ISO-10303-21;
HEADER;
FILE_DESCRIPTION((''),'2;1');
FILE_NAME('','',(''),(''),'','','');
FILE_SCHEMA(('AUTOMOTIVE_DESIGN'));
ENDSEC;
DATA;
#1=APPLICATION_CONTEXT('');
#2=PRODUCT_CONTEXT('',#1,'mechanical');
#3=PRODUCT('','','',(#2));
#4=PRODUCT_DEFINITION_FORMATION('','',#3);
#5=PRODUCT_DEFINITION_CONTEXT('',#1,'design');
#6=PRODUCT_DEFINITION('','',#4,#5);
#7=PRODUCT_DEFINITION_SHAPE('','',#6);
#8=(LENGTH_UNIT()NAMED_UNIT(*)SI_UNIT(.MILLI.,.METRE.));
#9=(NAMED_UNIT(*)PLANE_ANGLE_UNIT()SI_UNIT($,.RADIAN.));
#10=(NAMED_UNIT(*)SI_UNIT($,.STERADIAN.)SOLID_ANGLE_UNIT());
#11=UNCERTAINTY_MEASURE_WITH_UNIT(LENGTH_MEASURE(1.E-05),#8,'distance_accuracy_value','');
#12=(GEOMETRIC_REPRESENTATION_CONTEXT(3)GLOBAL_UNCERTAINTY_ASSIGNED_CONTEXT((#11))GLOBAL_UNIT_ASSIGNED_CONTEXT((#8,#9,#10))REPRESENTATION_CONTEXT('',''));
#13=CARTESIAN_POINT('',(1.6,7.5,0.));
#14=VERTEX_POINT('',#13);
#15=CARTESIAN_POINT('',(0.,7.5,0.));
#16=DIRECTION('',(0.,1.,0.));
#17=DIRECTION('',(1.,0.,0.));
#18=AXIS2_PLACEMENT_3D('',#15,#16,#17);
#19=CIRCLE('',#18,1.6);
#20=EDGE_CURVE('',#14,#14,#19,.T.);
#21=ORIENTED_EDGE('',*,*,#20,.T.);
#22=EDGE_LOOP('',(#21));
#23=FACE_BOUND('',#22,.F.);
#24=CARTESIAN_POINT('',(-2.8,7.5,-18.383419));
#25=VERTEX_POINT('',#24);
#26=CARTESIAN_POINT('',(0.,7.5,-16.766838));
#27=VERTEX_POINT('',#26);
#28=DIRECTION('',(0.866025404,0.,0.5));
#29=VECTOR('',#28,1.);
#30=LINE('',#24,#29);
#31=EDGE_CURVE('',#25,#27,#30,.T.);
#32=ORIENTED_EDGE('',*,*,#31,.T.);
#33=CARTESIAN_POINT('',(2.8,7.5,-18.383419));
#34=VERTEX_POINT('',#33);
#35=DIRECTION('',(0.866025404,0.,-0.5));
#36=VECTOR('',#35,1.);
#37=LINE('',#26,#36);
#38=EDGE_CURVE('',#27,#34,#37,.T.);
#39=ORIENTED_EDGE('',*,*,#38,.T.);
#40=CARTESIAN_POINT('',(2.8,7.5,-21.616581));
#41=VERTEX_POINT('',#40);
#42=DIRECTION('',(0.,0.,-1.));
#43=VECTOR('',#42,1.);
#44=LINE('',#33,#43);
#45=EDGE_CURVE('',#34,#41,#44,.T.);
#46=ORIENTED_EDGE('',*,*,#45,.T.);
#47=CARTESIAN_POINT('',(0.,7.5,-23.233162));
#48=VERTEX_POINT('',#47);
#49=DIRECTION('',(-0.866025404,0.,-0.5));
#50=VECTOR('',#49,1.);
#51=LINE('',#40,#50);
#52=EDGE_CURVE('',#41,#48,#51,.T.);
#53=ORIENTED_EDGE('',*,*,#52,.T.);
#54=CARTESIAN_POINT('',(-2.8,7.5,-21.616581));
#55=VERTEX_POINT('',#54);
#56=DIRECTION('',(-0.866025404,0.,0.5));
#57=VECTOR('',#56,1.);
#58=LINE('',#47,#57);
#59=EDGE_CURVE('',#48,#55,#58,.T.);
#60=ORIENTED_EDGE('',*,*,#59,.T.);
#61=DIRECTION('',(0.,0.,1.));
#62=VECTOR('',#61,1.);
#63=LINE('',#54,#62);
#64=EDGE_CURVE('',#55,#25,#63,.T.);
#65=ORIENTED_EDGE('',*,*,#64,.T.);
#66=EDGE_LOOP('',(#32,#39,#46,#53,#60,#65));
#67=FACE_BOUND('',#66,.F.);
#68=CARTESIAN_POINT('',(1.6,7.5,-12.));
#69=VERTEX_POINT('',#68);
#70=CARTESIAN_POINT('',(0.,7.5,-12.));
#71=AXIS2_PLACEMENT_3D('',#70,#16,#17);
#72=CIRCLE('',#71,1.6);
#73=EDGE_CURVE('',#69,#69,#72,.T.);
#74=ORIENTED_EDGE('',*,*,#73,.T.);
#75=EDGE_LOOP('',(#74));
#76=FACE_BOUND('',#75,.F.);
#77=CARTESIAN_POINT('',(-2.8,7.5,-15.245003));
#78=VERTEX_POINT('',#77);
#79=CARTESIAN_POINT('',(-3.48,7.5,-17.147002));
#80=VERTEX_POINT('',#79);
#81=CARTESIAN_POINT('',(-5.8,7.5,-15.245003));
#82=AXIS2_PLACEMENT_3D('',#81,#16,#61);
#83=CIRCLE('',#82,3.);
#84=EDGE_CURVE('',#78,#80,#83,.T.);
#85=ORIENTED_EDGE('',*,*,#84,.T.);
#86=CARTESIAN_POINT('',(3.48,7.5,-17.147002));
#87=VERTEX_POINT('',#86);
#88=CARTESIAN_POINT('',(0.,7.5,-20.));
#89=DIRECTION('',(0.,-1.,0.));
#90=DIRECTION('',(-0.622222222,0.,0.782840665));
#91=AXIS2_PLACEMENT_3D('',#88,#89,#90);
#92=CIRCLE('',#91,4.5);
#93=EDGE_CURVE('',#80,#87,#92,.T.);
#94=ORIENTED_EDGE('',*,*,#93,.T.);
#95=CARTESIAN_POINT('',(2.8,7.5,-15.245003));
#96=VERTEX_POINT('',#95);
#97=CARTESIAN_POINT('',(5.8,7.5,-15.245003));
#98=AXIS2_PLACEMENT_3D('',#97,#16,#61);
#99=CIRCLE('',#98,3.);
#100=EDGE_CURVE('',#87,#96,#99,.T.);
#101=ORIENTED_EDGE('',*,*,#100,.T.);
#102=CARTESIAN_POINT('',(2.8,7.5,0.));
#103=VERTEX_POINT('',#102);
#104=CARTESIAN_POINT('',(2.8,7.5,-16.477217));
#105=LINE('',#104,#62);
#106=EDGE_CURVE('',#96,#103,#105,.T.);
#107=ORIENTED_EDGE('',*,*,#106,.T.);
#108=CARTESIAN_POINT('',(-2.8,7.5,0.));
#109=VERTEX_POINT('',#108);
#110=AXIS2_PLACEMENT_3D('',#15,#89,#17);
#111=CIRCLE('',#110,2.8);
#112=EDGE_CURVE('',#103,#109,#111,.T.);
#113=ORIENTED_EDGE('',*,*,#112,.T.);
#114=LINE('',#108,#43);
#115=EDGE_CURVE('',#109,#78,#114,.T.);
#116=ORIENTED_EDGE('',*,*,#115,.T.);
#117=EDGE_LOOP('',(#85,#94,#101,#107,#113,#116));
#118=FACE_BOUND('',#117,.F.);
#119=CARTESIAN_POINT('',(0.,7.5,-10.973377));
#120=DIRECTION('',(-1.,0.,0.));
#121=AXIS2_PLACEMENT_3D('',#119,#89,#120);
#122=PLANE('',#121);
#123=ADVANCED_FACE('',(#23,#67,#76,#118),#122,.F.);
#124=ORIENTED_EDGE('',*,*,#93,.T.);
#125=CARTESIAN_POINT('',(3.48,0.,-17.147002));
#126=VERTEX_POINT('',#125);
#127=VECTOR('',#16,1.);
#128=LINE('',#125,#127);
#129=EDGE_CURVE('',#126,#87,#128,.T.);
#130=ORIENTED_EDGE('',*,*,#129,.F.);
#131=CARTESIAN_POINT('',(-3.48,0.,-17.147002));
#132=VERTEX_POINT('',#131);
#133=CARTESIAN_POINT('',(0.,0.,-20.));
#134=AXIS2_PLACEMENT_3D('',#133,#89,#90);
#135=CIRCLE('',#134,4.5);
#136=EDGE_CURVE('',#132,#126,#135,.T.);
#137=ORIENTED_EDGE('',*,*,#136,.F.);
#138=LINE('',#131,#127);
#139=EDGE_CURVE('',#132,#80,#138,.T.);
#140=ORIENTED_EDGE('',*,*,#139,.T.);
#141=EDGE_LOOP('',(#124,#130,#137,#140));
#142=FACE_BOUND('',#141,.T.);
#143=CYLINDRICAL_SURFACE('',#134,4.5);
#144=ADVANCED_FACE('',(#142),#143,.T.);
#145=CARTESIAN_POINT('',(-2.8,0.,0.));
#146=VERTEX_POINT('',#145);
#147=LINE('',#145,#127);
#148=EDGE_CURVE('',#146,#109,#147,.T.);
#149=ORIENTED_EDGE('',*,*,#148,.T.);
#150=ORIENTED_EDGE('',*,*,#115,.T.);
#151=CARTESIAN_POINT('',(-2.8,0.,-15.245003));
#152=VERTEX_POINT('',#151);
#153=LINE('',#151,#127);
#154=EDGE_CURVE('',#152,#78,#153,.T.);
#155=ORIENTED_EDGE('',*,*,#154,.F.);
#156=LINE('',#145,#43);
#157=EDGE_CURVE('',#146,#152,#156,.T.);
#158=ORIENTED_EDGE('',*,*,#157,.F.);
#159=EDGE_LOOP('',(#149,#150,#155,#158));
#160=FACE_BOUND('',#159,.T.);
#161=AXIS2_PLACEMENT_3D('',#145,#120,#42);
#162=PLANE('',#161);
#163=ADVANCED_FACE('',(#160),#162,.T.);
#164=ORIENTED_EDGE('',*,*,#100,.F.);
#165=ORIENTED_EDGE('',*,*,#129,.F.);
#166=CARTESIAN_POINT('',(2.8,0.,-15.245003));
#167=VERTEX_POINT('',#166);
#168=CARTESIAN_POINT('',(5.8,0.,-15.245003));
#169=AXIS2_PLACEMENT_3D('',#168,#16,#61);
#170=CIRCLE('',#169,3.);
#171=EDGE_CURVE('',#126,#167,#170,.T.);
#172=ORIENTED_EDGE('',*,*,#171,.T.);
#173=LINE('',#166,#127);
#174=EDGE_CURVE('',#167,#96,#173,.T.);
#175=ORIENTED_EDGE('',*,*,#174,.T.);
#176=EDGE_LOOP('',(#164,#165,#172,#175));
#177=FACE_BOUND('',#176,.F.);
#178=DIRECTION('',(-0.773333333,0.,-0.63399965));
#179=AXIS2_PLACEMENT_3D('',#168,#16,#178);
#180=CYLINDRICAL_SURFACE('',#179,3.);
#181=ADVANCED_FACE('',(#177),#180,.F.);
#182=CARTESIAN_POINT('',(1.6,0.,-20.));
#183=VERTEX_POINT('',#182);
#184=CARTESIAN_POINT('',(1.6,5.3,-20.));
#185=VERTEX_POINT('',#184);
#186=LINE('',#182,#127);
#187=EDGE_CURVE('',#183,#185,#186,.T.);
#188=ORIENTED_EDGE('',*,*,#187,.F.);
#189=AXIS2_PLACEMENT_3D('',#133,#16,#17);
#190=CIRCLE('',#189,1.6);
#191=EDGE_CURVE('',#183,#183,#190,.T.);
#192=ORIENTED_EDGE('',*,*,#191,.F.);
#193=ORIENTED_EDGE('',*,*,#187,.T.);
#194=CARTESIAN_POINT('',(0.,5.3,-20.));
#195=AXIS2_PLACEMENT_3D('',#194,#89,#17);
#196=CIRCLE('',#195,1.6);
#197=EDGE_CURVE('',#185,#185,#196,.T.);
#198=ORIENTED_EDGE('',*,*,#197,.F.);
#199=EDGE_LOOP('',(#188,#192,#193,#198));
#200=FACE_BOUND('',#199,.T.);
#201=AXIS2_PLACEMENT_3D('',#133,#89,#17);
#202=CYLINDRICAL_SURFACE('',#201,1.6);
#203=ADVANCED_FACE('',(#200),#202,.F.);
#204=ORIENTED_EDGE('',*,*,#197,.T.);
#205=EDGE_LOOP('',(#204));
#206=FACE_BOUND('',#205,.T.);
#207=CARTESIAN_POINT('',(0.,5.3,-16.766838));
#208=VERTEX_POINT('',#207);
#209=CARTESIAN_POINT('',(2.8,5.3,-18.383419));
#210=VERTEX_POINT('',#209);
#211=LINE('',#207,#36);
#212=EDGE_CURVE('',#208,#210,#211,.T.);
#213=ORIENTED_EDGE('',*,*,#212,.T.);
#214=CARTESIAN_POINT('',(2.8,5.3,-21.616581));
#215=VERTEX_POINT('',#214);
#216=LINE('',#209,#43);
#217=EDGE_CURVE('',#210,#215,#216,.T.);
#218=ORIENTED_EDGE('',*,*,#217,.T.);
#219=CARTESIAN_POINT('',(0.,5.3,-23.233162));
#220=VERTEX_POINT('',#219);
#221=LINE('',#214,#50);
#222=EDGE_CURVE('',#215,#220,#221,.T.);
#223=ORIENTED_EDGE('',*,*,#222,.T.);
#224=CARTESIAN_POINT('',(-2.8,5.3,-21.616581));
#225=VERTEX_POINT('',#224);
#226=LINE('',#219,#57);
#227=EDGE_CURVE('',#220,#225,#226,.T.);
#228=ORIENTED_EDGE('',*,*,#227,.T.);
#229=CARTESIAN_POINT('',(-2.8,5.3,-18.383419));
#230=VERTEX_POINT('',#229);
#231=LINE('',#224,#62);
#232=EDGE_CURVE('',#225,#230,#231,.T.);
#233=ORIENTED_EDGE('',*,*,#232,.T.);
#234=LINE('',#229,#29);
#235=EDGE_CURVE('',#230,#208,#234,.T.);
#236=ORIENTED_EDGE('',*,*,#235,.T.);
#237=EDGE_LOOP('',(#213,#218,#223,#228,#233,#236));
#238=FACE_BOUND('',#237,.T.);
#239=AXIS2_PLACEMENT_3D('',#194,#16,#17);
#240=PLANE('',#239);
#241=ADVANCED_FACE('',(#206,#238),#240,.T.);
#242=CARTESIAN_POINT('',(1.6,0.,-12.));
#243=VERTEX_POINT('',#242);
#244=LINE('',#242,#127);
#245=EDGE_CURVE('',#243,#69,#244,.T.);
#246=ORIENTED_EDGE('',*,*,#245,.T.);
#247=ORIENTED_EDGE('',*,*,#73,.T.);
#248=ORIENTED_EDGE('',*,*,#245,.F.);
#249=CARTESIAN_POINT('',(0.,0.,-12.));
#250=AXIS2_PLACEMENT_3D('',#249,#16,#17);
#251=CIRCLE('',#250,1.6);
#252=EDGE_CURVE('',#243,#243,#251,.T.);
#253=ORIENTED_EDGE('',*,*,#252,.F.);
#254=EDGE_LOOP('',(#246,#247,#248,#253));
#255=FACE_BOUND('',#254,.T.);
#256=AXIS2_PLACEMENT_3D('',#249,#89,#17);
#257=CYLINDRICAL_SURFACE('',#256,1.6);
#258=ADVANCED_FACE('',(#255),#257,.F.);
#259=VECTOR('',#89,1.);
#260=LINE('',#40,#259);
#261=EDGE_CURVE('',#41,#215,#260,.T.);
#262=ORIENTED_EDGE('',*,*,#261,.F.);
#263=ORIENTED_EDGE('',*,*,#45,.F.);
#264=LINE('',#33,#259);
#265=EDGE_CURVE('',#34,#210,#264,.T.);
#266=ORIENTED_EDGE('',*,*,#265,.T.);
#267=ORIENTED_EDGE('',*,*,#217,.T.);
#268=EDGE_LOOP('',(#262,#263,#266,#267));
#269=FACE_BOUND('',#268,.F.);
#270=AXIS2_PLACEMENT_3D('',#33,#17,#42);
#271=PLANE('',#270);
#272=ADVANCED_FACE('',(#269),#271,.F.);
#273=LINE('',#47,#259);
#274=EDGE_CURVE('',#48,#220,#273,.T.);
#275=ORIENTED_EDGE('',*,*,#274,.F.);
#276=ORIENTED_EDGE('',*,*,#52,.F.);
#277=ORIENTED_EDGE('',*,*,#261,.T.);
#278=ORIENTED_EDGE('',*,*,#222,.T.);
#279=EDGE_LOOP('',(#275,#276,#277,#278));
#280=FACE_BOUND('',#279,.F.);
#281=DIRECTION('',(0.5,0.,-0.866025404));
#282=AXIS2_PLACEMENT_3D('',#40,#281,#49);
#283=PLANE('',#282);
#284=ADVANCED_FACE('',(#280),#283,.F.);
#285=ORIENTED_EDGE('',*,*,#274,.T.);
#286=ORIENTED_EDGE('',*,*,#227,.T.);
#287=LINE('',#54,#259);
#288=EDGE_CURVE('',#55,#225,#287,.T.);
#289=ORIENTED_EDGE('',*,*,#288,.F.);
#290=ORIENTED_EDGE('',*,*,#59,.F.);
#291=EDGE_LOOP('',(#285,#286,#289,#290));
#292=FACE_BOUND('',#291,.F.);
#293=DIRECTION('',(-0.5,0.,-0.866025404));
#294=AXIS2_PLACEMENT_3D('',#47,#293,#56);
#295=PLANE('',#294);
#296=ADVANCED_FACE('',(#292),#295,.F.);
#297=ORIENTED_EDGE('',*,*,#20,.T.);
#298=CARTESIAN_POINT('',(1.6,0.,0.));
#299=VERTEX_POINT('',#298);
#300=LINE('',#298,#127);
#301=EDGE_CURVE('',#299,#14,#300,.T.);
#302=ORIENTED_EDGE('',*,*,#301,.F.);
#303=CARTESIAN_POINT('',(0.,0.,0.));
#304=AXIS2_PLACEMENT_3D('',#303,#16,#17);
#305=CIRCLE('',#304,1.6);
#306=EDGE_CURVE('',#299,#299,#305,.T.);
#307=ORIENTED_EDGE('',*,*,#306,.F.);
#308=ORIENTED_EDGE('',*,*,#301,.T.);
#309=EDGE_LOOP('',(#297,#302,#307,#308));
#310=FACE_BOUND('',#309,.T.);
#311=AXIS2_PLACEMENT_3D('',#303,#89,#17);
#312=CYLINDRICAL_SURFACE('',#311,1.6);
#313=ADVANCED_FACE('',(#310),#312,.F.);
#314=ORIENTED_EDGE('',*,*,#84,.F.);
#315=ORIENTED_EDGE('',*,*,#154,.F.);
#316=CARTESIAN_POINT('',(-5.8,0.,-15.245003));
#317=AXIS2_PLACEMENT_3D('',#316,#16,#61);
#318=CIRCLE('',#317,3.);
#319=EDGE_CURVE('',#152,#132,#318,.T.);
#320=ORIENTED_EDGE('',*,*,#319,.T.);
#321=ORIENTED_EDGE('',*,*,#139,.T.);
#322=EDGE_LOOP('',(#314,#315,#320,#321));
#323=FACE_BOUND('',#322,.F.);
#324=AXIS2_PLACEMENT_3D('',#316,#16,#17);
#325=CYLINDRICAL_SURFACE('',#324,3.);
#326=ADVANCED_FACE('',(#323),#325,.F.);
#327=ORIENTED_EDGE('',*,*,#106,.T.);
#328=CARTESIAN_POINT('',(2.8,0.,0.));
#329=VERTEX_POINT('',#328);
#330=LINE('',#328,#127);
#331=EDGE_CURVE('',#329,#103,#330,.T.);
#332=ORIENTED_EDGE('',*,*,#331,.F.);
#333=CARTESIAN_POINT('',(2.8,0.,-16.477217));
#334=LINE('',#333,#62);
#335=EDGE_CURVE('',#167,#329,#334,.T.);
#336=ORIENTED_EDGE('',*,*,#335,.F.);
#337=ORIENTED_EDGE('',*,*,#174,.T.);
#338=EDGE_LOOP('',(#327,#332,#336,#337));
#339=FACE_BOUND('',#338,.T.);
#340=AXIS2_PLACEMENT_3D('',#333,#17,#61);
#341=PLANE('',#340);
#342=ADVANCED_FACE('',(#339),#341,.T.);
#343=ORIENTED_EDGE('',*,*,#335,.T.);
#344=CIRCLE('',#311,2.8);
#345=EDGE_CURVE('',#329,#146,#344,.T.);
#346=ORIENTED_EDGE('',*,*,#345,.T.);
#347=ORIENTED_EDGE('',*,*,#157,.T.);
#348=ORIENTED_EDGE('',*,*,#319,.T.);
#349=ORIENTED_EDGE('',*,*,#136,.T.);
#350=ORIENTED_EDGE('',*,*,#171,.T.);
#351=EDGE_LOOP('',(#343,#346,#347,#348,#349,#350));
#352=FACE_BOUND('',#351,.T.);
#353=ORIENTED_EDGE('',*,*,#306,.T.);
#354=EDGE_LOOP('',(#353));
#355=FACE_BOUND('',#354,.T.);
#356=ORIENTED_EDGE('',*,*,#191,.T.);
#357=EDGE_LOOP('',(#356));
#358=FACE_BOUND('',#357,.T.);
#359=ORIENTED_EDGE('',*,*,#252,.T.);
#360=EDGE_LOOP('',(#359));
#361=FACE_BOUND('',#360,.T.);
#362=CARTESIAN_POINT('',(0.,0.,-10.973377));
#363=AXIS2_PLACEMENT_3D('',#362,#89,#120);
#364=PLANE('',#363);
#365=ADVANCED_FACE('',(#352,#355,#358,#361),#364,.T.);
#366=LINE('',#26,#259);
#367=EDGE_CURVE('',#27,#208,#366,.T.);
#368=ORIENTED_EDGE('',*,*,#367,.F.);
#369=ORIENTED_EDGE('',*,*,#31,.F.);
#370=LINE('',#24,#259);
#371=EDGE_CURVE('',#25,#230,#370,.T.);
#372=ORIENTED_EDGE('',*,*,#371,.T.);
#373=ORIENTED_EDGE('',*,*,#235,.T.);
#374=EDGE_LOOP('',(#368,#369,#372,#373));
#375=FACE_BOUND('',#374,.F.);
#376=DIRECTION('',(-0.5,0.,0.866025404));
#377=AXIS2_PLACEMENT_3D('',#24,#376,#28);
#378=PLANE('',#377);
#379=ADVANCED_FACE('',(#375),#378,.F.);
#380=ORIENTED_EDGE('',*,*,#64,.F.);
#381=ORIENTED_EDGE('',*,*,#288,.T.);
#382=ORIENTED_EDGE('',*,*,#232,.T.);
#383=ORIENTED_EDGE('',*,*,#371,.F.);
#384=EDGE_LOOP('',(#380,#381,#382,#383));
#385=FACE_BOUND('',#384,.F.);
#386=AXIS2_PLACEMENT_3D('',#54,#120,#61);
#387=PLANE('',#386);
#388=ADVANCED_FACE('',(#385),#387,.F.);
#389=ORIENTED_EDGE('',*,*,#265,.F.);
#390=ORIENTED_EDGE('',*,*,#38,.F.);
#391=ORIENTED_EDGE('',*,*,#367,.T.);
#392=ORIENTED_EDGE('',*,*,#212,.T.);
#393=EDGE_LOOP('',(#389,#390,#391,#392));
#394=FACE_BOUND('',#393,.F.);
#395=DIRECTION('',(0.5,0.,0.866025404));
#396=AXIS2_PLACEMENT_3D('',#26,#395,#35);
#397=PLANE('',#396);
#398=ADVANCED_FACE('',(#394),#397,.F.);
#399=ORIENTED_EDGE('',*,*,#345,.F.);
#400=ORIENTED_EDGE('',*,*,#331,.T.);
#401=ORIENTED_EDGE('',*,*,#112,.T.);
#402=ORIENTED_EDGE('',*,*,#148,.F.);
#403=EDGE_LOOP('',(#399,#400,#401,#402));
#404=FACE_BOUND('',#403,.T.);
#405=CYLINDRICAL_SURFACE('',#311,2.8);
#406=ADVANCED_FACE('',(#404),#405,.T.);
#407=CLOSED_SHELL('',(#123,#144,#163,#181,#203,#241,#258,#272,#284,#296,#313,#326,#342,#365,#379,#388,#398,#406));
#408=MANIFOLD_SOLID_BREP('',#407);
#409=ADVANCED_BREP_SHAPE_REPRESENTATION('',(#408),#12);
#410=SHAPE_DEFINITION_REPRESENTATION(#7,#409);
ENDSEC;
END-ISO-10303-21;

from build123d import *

# Parameters (mm, degrees)
SKETCH1_R           = 1.6
BOSS_EXTRUDE1_DEPTH = 7.5
CUT_EXTRUDE1_DEPTH  = 2.2
FILLET1_R           = 3


with BuildPart() as part:
    # Sketch1 → Boss-Extrude1 (new body)
    with BuildSketch(Plane(origin=(0, 0, 0), x_dir=(1, 0, 0), z_dir=(0, 1, 0))):
        with BuildLine():
            Line((-2.8, 0), (-2.8, 16.477217009))
            ThreePointArc((-2.8, 16.477217009), (0, 24.5), (2.8, 16.477217009))
            Line((2.8, 16.477217009), (2.8, 0))
            ThreePointArc((2.8, 0), (0, -2.8), (-2.8, 0))
        make_face()
        Circle(SKETCH1_R, mode=Mode.SUBTRACT)
        with Locations((0, 12)):
            Circle(SKETCH1_R, mode=Mode.SUBTRACT)
        with Locations((0, 20)):
            Circle(SKETCH1_R, mode=Mode.SUBTRACT)
    extrude(amount=BOSS_EXTRUDE1_DEPTH)

    # Sketch2 → Cut-Extrude1 (cut)
    with BuildSketch(Plane(origin=(0, 7.5, 0), x_dir=(1, 0, 0), z_dir=(0, 1, 0))):
        Polygon((0, 23.233161507), (-2.8, 21.616580754), (-2.8, 18.383419246), (0, 16.766838493), (2.8, 18.383419246), (2.8, 21.616580754), align=None)
    extrude(amount=-CUT_EXTRUDE1_DEPTH, mode=Mode.SUBTRACT)

    # Fillet1
    fillet1_edges = [part.edges().sort_by_distance(p)[0] for p in [
        (-2.8, 3.75, -16.477217009),
        (2.8, 3.75, -16.477217009),
    ]]
    fillet(fillet1_edges, radius=FILLET1_R)


solid = part.part
